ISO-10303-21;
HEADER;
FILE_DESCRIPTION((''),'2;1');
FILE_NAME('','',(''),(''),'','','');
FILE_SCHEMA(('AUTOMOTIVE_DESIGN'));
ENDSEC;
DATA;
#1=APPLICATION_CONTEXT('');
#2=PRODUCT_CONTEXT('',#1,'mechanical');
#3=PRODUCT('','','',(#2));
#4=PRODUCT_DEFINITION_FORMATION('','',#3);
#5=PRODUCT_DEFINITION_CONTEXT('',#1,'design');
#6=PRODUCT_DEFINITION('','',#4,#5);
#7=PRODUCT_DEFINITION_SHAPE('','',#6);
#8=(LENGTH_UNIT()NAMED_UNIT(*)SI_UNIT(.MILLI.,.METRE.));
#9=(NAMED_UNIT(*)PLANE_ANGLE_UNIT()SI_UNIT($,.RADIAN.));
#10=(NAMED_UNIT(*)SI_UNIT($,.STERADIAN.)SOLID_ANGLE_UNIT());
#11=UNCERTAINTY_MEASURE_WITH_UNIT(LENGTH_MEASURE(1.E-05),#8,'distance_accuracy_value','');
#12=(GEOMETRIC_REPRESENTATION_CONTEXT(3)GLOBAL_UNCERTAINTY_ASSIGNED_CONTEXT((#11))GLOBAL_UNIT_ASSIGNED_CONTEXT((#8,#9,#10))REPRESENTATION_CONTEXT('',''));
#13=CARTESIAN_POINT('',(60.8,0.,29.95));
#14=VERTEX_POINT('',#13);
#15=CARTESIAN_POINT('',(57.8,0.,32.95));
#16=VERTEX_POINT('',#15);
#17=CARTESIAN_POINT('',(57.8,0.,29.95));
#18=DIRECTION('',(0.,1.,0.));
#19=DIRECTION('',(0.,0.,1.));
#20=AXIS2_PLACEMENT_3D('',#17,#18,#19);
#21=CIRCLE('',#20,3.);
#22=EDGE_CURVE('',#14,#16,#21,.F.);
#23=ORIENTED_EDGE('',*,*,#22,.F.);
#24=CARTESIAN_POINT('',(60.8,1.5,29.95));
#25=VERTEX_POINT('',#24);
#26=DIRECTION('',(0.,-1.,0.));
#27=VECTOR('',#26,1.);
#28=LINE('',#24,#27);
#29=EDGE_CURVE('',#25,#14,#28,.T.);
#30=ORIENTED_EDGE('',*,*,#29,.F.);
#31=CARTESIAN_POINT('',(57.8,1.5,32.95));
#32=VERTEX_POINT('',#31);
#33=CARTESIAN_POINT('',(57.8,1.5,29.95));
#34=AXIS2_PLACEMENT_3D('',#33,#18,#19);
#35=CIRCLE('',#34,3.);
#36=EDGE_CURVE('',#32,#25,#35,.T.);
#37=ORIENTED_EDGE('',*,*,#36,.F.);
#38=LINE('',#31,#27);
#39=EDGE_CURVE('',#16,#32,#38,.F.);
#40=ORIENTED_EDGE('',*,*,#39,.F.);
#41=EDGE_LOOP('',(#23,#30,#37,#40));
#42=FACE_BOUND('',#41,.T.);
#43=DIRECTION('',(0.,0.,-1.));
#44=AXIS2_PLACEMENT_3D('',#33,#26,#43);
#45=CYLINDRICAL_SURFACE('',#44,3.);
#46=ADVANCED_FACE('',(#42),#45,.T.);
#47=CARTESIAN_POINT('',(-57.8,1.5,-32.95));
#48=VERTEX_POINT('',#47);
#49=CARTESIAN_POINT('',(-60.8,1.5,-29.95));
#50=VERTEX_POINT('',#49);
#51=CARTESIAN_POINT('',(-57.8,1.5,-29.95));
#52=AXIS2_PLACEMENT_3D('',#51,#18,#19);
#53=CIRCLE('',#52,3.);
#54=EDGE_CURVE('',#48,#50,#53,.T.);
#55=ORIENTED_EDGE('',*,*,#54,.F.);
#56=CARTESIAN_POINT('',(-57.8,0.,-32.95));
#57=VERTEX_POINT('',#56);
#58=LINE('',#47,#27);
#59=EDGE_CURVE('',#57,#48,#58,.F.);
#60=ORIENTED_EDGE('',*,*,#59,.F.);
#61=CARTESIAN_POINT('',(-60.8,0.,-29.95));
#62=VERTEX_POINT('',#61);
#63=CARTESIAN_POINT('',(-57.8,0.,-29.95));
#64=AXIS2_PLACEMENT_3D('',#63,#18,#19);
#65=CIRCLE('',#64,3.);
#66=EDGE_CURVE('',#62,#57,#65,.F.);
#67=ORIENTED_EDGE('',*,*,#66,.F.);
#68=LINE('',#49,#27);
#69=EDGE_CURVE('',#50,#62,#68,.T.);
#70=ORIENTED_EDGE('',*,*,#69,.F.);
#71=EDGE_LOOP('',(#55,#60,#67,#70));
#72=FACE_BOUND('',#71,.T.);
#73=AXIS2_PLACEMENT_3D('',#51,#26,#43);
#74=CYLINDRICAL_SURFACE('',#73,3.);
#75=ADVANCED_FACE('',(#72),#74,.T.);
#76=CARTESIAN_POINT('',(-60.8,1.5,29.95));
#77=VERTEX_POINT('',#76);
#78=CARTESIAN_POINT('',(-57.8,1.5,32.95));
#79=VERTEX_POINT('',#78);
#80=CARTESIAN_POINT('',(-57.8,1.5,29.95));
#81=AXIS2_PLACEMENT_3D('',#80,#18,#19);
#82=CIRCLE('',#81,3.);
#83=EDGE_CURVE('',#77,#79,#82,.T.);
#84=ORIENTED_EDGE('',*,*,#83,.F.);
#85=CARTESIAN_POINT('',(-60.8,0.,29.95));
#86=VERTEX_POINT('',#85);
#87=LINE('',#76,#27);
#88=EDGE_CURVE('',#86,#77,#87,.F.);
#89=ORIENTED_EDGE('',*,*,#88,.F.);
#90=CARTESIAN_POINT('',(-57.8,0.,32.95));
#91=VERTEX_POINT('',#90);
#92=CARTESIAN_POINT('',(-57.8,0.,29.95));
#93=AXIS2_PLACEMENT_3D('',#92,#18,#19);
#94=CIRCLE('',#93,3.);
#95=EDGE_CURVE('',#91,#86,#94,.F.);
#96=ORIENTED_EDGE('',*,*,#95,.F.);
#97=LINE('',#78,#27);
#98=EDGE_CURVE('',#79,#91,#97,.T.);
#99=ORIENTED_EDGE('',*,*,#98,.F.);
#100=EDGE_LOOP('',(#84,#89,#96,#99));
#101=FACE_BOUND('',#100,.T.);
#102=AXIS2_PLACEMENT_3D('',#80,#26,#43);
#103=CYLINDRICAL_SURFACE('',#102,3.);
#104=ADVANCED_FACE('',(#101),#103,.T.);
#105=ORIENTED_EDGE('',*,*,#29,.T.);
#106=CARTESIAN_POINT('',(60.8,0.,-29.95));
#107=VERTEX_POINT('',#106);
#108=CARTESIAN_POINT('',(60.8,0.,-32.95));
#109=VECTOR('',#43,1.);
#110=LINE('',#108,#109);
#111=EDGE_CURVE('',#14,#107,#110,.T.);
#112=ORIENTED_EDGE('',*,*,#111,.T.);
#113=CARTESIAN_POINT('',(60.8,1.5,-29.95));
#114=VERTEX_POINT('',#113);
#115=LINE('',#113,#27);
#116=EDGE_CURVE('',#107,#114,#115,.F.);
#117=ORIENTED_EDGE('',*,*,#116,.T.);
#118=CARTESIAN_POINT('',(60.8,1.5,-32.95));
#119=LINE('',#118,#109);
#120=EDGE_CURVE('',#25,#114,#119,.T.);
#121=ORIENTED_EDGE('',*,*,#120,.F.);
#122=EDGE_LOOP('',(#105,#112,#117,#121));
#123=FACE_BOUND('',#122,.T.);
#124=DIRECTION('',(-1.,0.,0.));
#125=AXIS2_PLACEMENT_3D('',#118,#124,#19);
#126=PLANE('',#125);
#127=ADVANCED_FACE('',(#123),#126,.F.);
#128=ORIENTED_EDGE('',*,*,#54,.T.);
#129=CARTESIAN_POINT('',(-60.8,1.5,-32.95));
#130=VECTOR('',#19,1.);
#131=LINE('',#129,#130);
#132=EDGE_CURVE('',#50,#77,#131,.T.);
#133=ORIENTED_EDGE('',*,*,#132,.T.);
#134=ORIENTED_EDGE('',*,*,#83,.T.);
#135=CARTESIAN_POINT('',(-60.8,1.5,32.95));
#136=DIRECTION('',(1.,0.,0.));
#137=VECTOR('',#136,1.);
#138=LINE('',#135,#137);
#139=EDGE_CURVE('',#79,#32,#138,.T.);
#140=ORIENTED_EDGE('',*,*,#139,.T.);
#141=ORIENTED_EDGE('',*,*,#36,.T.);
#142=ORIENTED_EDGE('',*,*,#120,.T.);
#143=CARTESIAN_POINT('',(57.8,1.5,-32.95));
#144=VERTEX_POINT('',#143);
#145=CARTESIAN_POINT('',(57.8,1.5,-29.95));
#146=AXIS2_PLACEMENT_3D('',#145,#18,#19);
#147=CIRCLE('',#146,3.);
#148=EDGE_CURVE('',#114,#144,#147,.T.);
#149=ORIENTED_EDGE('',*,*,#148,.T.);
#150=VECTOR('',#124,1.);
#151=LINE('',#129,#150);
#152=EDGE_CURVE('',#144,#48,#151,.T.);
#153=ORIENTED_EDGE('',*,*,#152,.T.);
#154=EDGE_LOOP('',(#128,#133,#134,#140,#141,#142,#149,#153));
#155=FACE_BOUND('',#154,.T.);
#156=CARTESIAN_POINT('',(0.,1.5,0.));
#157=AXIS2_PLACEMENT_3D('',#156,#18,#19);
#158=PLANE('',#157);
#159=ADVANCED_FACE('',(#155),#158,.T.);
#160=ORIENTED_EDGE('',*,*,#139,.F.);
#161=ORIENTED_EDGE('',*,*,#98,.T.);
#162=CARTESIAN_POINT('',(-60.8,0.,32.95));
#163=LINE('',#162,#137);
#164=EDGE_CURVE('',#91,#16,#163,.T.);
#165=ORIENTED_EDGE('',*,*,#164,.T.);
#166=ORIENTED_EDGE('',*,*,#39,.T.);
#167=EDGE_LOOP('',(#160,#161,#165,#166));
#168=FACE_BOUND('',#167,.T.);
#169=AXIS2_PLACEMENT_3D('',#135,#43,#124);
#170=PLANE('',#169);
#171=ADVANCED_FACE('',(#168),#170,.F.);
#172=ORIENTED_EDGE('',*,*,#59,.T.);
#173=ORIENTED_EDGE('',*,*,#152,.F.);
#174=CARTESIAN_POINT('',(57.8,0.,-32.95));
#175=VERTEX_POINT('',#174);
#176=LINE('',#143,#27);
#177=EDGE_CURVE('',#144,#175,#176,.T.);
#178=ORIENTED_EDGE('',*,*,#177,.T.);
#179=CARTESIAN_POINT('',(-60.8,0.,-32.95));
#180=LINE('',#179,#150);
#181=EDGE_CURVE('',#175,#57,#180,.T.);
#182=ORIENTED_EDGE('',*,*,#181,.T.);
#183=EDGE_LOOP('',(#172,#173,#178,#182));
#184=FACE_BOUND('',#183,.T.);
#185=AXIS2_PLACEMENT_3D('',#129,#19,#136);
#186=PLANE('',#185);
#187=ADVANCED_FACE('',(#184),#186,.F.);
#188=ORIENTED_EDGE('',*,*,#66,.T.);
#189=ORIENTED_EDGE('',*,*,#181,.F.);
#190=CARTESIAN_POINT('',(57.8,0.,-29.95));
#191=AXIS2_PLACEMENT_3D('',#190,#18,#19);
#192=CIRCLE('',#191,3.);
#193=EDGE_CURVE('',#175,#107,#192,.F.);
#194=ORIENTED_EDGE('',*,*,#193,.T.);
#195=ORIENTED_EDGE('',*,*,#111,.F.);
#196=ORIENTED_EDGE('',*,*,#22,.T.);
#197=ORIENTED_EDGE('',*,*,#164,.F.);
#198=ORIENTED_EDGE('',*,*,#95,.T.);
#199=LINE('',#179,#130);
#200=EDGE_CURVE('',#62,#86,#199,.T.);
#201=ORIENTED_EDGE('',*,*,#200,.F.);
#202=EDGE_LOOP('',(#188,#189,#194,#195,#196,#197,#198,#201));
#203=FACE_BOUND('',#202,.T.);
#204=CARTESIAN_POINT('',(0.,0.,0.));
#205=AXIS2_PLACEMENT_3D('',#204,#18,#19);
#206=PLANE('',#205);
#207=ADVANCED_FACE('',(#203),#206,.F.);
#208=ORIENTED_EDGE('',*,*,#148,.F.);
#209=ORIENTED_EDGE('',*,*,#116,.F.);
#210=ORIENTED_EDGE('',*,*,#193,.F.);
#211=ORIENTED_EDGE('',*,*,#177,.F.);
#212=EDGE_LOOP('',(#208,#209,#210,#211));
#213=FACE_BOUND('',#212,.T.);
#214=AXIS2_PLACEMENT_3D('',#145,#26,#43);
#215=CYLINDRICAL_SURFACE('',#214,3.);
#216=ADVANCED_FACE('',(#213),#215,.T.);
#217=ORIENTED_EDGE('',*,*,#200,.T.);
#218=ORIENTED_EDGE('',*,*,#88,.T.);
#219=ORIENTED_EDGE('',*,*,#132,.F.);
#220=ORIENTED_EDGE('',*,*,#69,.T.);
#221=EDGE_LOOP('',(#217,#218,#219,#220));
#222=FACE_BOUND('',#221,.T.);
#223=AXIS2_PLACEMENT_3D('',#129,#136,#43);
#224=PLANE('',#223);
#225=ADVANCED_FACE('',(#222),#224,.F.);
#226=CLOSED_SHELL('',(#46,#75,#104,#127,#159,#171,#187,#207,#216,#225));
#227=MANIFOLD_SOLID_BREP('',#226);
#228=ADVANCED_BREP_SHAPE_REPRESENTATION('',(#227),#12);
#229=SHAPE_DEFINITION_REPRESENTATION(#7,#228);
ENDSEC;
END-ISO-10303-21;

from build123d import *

# Parameters (mm, degrees)
ESQUISSE1_W        = 121.6
ESQUISSE1_H        = 65.9
BOSS_EXTRU_1_DEPTH = 1.5
CONG_1_R           = 3


with BuildPart() as part:
    # Esquisse1 → Boss.-Extru.1 (new body)
    with BuildSketch(Plane(origin=(0, 0, 0), x_dir=(1, 0, 0), z_dir=(0, 1, 0))):
        Rectangle(ESQUISSE1_W, ESQUISSE1_H)
    extrude(amount=BOSS_EXTRU_1_DEPTH)

    # Congé1
    cong_1_edges = [part.edges().sort_by_distance(p)[0] for p in [
        (60.8, 0.75, 32.95),
        (-60.8, 0.75, 32.95),
        (-60.8, 0.75, -32.95),
        (60.8, 0.75, -32.95),
    ]]
    fillet(cong_1_edges, radius=CONG_1_R)


solid = part.part
